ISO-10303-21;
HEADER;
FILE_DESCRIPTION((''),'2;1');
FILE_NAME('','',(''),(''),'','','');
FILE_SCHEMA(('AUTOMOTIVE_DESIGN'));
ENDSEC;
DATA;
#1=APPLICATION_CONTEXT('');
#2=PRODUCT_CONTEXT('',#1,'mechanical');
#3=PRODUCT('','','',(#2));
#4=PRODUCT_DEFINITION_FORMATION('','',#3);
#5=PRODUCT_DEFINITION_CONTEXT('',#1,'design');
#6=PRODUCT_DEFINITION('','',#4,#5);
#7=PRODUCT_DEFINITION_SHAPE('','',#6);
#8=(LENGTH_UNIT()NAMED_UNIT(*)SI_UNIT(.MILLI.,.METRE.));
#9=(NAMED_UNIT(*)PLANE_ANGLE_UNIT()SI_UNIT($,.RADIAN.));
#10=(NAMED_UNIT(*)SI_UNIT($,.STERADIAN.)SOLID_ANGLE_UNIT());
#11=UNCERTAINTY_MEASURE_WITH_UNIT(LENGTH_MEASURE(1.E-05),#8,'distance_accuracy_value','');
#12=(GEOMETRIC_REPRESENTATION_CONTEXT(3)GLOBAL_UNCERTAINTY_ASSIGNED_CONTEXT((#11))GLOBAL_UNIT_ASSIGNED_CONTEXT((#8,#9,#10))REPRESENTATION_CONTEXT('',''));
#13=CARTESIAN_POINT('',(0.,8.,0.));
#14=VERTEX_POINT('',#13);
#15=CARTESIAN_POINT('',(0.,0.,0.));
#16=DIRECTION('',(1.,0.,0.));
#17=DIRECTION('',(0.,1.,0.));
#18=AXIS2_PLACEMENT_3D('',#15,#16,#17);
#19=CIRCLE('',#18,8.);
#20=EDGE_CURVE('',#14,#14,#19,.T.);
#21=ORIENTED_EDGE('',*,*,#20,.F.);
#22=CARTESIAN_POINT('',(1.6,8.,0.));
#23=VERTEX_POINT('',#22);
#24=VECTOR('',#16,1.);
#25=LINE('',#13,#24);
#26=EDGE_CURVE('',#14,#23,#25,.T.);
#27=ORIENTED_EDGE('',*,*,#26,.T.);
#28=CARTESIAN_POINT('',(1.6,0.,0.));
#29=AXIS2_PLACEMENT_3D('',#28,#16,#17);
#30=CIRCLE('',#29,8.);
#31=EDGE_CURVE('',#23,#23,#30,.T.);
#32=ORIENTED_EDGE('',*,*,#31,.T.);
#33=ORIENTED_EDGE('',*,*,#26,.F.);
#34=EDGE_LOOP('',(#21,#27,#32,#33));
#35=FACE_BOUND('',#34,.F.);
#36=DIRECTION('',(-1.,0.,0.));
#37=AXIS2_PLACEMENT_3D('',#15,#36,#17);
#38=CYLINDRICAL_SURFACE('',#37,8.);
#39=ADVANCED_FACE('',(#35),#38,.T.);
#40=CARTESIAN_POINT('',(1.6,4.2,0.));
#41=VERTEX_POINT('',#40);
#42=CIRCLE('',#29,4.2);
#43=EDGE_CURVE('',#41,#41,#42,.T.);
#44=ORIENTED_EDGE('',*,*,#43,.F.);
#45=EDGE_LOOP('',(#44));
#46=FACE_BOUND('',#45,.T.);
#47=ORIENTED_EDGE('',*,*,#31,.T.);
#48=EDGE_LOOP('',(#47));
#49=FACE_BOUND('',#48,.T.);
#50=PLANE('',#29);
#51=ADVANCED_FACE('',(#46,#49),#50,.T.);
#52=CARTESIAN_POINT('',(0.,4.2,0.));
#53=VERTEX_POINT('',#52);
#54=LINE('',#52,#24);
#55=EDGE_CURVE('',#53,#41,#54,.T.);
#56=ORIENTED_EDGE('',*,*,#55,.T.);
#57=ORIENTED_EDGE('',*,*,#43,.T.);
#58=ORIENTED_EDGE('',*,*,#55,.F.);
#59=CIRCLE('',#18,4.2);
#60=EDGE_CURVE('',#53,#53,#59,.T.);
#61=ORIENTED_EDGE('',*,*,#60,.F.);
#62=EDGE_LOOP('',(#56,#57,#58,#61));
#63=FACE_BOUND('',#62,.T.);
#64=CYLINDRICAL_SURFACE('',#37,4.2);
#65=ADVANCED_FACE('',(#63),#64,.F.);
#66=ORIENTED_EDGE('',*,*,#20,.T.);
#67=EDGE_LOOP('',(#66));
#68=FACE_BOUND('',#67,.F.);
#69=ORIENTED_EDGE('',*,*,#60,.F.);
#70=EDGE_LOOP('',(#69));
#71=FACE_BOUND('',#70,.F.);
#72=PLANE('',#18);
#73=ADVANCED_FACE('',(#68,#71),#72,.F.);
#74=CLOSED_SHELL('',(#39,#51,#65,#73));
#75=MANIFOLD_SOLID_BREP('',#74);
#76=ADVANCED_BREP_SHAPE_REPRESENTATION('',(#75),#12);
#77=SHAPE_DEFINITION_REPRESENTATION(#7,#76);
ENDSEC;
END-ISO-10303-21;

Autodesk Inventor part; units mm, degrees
ref_plane "YZ Plane" through (0, 0, 0) normal (1, 0, 0) x (0, 1, 0)
ref_plane "XZ Plane" through (0, 0, 0) normal (0, 1, 0) x (-1, 0, 0)
sketch "Sketch" plane through (0, 0, 0) normal (1, 0, 0) x (0, 1, 0)
  circle A0 centre (0, 0) radius 8
  circle A1 centre (0, 0) radius 4.2
  dimension "d0" = 8.4
  dimension "d1" = 16
extrude "Body" add sketch "Sketch" along normal blind 1.6
ref_plane "Work Plane1" through (0, 0, 0) normal (0, 0, 1) x (1, 0, 0)
equation "\"d0\" = SD1"
equation "\"d1\" = SD2"
equation "\"d2\" = SD"
equation "\"SD1\" = 8.4"
equation "\"SD2\" = 16"
equation "\"SD\" = 1.6"
equation "\"NND\" = 8"
properties part number "ISO 7089 - 8 - 140 HV" material "Steel"
